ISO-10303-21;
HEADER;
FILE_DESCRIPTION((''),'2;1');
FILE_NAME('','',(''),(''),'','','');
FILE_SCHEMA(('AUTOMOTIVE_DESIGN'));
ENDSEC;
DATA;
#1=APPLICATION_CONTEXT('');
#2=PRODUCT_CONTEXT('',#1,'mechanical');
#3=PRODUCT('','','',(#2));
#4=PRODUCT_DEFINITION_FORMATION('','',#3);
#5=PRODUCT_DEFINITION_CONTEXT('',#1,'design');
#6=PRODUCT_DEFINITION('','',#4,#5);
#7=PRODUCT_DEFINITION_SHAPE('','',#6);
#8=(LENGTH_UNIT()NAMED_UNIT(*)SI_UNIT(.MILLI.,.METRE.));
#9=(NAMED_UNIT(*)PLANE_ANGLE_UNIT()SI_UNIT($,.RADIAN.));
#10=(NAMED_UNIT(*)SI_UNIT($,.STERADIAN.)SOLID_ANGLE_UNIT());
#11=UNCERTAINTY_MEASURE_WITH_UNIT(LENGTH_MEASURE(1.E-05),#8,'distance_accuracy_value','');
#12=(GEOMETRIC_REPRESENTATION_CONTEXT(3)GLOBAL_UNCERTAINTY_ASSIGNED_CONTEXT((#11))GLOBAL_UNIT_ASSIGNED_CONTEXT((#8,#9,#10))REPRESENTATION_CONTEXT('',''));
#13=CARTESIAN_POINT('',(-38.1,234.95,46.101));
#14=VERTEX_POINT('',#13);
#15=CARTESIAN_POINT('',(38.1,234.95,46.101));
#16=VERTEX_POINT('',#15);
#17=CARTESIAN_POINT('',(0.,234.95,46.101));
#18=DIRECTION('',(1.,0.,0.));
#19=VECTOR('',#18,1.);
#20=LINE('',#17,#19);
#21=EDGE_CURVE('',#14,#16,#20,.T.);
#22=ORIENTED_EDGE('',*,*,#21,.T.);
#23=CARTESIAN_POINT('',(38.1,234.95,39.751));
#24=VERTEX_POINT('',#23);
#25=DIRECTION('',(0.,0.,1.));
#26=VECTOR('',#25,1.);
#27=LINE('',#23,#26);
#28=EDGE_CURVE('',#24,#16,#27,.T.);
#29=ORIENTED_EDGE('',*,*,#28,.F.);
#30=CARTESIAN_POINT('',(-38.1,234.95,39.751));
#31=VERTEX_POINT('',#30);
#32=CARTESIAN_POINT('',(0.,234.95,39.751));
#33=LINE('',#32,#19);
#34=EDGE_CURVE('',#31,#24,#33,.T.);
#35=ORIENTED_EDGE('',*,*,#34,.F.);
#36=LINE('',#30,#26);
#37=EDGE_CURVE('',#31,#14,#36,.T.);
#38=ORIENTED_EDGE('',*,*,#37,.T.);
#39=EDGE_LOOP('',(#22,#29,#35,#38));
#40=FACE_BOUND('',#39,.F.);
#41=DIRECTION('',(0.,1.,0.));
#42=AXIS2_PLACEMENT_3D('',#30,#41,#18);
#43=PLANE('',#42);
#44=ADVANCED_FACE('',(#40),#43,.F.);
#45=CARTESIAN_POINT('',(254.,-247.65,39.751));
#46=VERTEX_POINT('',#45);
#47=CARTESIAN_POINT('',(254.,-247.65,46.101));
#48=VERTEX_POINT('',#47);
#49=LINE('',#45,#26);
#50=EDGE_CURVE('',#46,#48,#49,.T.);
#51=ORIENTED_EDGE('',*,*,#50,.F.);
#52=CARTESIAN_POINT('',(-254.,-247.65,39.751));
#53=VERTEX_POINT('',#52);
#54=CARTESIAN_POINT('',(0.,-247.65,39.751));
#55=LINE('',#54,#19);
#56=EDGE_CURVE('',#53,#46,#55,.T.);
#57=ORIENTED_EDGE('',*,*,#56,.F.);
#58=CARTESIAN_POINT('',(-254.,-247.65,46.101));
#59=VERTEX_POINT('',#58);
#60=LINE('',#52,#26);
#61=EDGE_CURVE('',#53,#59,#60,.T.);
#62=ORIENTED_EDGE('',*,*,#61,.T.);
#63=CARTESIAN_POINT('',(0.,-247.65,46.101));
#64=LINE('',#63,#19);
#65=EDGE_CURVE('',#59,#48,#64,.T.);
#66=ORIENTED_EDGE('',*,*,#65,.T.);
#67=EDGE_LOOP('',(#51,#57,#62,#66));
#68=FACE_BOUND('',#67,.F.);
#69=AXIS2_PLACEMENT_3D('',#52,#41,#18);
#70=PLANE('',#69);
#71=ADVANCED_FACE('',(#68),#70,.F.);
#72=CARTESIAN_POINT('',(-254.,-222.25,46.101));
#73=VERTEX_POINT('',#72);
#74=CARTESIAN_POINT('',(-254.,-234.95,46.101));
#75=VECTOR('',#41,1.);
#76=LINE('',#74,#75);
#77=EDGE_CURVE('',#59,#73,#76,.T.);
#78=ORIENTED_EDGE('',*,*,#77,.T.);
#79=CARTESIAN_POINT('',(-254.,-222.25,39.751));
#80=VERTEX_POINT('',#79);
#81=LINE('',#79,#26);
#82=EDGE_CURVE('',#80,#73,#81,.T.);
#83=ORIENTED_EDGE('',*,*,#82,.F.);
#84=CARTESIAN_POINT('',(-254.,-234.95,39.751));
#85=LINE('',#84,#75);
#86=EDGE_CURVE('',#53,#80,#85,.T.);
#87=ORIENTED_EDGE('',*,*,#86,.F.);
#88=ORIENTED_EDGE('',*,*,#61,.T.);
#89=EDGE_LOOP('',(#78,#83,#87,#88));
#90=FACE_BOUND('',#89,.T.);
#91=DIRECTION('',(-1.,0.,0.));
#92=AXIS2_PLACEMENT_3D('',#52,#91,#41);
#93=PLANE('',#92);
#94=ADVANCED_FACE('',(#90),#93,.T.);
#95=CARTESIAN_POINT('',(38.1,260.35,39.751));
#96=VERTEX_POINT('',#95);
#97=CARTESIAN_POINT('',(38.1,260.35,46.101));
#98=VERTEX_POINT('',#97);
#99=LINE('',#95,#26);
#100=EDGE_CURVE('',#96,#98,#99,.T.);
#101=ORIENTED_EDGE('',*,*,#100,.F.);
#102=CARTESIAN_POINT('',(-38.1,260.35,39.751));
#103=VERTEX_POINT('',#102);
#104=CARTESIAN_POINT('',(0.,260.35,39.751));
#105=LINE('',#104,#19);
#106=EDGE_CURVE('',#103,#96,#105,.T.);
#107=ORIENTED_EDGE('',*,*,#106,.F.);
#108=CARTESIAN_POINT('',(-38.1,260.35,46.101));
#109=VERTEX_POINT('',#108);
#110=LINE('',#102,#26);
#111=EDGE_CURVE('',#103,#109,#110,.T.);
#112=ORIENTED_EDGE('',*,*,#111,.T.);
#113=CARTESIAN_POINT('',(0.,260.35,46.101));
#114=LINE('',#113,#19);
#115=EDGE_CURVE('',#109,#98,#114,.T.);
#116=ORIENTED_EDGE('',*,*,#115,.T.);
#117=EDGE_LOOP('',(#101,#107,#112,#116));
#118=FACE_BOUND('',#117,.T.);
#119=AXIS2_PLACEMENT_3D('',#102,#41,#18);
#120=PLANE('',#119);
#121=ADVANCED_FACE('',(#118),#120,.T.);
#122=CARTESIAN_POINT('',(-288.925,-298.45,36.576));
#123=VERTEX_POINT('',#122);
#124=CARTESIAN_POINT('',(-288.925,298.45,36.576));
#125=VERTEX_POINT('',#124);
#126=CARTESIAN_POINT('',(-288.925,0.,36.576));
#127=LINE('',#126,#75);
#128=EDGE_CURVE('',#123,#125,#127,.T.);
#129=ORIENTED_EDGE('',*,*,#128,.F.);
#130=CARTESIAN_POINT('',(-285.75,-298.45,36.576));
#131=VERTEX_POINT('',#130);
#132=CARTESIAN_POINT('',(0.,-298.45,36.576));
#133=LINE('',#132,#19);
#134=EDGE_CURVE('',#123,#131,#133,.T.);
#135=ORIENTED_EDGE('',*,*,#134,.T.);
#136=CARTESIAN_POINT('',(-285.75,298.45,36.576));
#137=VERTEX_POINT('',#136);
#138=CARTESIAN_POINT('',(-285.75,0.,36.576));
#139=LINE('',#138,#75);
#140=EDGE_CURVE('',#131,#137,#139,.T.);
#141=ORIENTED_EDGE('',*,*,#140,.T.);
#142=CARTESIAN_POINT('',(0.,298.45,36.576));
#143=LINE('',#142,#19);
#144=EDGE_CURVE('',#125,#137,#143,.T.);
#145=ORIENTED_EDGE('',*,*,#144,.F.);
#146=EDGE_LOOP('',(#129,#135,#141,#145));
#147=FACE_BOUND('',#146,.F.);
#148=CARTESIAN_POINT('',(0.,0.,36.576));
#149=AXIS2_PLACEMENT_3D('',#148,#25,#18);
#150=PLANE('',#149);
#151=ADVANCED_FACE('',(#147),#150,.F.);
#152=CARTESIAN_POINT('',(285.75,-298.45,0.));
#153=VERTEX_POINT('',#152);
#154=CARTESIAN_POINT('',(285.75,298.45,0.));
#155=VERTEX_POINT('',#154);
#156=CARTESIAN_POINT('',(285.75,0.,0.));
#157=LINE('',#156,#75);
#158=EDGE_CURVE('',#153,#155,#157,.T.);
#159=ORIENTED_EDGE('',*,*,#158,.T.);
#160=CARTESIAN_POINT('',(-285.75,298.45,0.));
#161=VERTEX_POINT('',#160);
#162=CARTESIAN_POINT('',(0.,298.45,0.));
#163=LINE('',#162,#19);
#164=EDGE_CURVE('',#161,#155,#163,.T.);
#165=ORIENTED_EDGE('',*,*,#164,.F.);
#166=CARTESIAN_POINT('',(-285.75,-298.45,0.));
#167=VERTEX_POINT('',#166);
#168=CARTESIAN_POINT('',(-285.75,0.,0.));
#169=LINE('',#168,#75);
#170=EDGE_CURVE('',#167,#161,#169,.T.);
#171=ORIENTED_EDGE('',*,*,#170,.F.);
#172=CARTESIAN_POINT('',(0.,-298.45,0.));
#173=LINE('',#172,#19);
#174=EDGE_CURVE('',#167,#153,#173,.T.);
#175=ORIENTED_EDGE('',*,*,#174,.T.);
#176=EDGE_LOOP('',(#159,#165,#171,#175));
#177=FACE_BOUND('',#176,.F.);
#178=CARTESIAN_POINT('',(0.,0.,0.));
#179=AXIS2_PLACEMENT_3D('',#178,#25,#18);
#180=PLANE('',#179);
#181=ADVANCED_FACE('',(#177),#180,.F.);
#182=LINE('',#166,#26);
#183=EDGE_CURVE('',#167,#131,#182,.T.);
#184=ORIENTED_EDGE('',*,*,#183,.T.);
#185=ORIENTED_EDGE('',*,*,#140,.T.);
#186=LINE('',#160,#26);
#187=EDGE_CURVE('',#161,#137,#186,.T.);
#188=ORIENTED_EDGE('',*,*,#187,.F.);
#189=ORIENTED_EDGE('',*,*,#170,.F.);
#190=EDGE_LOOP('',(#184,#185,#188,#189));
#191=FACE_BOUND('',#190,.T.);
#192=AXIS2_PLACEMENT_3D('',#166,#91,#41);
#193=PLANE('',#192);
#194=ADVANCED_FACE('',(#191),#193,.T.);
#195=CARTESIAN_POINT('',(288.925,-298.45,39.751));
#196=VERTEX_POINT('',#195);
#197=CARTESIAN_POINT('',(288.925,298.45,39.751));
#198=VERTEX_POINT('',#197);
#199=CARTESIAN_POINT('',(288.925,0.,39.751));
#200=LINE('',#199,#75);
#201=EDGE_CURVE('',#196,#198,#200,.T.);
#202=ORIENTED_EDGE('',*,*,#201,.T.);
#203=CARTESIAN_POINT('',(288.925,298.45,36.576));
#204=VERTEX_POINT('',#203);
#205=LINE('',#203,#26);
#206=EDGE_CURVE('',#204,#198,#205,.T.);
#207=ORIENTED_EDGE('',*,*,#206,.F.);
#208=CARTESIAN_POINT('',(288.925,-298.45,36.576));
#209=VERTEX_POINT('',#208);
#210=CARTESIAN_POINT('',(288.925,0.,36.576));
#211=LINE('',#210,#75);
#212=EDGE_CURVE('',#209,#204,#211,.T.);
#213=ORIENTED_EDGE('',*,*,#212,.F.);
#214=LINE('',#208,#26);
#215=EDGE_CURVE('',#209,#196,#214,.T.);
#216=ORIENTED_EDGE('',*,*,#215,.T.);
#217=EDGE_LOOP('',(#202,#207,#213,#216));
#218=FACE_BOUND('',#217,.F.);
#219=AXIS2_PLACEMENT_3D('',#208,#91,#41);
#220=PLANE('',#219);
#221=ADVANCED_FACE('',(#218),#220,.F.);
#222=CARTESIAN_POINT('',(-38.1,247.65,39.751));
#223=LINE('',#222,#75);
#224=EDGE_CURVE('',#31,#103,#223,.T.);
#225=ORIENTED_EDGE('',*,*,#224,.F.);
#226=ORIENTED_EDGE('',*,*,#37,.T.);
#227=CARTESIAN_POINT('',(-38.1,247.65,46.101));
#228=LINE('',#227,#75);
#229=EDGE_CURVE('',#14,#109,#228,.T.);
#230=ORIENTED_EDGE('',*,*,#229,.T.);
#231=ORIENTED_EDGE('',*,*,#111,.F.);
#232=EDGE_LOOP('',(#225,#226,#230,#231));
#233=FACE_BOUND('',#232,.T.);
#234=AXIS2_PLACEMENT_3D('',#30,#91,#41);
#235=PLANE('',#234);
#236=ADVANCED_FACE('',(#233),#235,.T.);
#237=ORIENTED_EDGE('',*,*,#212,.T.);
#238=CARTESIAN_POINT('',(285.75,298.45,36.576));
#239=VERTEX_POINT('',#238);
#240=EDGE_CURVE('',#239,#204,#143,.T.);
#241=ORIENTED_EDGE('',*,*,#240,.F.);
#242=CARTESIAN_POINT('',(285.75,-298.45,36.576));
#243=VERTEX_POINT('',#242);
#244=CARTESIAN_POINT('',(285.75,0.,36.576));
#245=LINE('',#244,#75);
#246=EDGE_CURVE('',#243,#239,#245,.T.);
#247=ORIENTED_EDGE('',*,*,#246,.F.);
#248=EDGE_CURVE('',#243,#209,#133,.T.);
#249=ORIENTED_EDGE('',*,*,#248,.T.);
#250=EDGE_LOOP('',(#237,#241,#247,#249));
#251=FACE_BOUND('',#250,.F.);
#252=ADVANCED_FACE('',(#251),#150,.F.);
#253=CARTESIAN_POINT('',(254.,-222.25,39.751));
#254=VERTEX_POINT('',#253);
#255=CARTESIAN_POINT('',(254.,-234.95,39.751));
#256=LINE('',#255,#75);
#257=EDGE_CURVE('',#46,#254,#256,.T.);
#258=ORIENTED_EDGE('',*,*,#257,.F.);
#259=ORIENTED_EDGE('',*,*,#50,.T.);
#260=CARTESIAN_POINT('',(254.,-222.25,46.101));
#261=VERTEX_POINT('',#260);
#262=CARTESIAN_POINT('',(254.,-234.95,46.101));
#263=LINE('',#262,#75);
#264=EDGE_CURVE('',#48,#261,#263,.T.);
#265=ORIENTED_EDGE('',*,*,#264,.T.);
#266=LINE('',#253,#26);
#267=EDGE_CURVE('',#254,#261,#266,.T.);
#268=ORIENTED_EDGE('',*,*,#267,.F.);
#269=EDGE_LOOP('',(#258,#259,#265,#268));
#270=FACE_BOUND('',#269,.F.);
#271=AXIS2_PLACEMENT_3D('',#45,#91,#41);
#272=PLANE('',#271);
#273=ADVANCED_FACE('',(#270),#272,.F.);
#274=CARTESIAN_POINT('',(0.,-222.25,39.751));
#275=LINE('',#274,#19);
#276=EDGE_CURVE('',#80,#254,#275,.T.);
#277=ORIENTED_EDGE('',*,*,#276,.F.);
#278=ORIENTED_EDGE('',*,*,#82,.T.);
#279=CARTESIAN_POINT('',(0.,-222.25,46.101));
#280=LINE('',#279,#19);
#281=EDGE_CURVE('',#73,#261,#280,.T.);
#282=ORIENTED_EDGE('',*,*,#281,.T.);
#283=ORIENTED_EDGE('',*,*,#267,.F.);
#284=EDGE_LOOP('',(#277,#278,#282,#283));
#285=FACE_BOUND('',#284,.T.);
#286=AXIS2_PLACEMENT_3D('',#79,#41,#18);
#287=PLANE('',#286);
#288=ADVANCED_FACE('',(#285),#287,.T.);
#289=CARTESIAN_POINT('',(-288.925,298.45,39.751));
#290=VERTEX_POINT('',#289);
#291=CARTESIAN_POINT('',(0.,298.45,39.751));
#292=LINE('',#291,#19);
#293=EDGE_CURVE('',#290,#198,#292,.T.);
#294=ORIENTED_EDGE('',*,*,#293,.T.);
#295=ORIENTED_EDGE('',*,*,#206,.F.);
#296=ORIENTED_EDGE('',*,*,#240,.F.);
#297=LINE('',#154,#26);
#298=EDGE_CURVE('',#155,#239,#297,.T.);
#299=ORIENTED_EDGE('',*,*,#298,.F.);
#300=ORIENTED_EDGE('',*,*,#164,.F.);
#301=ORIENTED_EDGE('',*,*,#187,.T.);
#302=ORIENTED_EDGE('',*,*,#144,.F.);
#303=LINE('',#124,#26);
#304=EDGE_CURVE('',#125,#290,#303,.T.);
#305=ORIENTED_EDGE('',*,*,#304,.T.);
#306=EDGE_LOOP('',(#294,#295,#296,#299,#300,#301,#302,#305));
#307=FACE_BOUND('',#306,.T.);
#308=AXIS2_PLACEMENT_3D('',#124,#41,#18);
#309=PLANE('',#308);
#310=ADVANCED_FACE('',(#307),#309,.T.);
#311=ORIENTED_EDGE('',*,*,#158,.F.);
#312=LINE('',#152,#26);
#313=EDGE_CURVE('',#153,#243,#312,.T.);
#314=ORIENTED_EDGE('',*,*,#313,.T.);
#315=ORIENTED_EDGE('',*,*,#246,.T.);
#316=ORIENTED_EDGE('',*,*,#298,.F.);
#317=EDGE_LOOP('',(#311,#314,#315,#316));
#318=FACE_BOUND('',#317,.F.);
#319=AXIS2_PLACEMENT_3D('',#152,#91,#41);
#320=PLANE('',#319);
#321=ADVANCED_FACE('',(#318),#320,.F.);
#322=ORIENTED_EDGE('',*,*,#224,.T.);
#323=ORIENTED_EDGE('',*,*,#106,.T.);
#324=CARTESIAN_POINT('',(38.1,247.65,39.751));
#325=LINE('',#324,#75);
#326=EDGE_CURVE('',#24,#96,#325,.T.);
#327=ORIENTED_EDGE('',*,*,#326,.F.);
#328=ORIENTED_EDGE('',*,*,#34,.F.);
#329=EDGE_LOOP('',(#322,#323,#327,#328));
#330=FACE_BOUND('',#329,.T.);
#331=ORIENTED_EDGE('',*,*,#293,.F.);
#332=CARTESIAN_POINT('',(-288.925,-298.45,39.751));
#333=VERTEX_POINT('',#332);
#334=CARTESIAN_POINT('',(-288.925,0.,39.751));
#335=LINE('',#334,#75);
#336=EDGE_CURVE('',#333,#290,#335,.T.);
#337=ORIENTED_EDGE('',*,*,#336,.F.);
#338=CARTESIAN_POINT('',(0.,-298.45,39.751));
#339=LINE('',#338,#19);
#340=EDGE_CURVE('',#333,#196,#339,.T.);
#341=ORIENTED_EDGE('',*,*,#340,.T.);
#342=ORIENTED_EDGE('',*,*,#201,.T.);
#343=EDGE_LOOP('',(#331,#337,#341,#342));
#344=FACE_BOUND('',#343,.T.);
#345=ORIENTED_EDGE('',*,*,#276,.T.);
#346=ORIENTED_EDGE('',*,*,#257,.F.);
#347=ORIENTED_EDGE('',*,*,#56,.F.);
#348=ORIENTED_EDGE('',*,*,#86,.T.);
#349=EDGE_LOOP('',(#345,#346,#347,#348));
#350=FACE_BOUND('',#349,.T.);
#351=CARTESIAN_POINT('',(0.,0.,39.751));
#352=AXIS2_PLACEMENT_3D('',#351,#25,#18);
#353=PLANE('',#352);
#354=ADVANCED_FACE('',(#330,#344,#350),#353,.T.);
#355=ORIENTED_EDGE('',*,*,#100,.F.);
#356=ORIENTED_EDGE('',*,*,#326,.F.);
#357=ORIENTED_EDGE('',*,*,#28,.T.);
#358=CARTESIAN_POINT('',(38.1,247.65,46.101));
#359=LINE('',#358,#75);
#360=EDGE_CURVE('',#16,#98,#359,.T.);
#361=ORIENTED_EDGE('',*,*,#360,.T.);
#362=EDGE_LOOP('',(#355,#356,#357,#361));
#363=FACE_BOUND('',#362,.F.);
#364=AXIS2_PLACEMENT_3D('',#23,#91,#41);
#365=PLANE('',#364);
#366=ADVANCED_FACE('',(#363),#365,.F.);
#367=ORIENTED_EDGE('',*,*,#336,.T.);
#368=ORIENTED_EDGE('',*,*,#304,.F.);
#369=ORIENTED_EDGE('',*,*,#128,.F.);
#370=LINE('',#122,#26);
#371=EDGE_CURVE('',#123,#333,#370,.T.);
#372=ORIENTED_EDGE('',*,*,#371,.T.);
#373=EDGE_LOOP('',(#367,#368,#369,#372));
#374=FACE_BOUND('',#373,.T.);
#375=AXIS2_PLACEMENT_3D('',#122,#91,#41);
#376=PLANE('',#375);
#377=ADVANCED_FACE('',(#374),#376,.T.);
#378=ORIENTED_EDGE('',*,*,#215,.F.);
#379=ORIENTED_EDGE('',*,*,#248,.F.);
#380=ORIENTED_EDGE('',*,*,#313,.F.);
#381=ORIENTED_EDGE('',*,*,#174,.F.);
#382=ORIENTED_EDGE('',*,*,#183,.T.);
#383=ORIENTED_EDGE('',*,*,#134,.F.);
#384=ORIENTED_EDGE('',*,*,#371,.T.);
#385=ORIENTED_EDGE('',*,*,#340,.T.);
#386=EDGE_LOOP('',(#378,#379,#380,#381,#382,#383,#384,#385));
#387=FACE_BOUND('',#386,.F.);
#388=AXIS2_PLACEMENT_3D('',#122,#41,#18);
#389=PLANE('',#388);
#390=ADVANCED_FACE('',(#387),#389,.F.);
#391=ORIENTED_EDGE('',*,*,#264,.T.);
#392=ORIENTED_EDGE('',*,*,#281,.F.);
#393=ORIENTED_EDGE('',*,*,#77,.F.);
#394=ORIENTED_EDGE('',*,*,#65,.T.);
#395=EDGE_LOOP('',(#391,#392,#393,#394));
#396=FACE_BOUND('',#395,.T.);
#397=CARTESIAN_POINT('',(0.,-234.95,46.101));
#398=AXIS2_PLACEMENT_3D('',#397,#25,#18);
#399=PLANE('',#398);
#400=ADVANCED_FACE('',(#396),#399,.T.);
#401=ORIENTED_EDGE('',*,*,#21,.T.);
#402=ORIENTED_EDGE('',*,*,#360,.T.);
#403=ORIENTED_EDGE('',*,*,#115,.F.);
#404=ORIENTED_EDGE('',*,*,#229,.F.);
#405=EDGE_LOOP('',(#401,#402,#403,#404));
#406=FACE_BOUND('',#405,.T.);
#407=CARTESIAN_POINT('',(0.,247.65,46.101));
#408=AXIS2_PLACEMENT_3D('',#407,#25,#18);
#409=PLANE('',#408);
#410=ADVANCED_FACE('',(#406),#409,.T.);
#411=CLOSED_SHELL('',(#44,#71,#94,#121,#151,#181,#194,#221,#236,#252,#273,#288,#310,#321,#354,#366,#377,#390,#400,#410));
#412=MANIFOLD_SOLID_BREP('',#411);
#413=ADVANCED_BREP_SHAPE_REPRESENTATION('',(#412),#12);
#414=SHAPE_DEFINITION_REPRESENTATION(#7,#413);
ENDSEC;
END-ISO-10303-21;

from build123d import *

# Parameters (mm, degrees)
F0_W     = 571.5
F0_H     = 596.9
F1_DEPTH = 36.576
F2_W     = 577.85
F2_H     = 596.9
F3_DEPTH = 3.175
F4_W     = 508
F4_H     = 25.4
F4_W_2   = 76.2
F5_DEPTH = 6.35


with BuildPart() as f1:
    # F0 (on Top) → F1 (new body)
    with BuildSketch(Plane.XY):
        Rectangle(F0_W, F0_H)
    extrude(amount=F1_DEPTH)

    # F2 (on face) → F3 (join)
    with BuildSketch(Plane.XY.offset(36.576)):
        Rectangle(F2_W, F2_H)
    extrude(amount=F3_DEPTH)

    # F4 (on face) → F5 (join)
    with BuildSketch(Plane.XY.offset(39.751)):
        with Locations((0, -234.95)):
            Rectangle(F4_W, F4_H)
        with Locations((0, 247.65)):
            Rectangle(F4_W_2, F4_H)
    extrude(amount=F5_DEPTH)


solid = f1.part
